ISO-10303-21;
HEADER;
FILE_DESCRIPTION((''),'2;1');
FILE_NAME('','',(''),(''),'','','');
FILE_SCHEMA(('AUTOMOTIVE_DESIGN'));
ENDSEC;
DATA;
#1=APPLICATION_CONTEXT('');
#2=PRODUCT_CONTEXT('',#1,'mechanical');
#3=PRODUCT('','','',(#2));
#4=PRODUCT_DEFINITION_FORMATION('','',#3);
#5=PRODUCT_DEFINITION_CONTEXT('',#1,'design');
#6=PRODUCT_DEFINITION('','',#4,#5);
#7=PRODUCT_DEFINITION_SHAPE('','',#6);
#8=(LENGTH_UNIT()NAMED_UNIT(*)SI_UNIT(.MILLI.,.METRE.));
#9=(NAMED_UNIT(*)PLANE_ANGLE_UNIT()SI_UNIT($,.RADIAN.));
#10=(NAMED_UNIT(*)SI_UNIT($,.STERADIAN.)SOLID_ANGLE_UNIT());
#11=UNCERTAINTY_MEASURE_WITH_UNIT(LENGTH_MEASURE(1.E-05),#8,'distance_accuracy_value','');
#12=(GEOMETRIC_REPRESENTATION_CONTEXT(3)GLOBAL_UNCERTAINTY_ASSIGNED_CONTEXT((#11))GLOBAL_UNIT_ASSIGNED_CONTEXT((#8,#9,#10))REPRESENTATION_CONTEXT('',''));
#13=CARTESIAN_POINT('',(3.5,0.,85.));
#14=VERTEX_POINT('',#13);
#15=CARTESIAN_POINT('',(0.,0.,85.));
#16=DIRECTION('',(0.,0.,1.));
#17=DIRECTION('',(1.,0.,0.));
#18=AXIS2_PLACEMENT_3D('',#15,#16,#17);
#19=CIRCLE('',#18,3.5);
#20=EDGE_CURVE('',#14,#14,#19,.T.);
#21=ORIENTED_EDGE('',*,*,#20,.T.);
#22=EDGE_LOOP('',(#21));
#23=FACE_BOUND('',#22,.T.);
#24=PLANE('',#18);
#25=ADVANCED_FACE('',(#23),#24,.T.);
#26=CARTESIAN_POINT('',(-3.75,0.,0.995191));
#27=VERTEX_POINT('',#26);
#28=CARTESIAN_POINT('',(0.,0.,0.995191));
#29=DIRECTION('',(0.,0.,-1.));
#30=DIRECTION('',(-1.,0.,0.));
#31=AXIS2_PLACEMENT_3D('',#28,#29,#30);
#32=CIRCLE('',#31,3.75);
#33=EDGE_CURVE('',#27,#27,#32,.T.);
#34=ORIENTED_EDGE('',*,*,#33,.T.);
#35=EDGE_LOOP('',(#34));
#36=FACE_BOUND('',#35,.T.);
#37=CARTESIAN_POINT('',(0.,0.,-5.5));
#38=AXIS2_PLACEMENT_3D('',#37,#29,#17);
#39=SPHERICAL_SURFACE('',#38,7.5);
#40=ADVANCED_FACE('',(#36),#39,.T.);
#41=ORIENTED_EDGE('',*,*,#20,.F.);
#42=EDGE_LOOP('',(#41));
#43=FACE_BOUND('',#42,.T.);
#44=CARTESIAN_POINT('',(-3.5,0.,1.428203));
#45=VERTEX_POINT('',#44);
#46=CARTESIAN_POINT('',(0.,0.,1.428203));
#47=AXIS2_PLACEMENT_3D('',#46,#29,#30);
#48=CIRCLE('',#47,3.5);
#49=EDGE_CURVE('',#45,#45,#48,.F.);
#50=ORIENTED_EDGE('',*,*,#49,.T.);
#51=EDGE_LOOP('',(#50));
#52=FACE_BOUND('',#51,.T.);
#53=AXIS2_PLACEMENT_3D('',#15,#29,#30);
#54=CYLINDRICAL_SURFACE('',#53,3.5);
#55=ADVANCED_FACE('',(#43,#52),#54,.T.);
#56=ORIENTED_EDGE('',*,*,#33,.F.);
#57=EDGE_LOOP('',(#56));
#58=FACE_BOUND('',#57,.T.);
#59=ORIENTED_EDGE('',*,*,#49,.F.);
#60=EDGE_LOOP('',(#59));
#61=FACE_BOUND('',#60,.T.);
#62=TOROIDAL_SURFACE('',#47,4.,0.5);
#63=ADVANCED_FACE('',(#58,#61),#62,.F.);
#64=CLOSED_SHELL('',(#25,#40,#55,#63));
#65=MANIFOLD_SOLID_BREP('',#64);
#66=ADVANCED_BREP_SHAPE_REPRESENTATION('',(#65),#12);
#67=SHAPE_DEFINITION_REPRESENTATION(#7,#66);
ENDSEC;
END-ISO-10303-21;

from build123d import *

# Parameters (mm, degrees)
ESBO_O1_R                = 3.5
RESSALTO_EXTRUS_O1_DEPTH = 85
FILETE1_R                = 0.5


with BuildPart() as part:
    # Esboço1 → Ressalto-extrusão1 (new body)
    with BuildSketch(Plane.XY):
        Circle(ESBO_O1_R)
    extrude(amount=RESSALTO_EXTRUS_O1_DEPTH)

    # Esboço2 → Revolução7 (revolve)
    with BuildSketch(Plane(origin=(0, 0, 0), x_dir=(1, 0, 0), z_dir=(0, 1, 0))):
        with BuildLine():
            Line((0, 13), (0, -2))
            ThreePointArc((0, -2), (-7.5, 5.5), (0, 13))
        make_face()
    revolve(axis=Axis((0, 0, -13), (0, 0, 1)))

    # Filete1
    filete1_edges = [part.edges().sort_by_distance(p)[0] for p in [
        (0, 3.5, 1.133249581),
    ]]
    fillet(filete1_edges, radius=FILETE1_R)


solid = part.part
